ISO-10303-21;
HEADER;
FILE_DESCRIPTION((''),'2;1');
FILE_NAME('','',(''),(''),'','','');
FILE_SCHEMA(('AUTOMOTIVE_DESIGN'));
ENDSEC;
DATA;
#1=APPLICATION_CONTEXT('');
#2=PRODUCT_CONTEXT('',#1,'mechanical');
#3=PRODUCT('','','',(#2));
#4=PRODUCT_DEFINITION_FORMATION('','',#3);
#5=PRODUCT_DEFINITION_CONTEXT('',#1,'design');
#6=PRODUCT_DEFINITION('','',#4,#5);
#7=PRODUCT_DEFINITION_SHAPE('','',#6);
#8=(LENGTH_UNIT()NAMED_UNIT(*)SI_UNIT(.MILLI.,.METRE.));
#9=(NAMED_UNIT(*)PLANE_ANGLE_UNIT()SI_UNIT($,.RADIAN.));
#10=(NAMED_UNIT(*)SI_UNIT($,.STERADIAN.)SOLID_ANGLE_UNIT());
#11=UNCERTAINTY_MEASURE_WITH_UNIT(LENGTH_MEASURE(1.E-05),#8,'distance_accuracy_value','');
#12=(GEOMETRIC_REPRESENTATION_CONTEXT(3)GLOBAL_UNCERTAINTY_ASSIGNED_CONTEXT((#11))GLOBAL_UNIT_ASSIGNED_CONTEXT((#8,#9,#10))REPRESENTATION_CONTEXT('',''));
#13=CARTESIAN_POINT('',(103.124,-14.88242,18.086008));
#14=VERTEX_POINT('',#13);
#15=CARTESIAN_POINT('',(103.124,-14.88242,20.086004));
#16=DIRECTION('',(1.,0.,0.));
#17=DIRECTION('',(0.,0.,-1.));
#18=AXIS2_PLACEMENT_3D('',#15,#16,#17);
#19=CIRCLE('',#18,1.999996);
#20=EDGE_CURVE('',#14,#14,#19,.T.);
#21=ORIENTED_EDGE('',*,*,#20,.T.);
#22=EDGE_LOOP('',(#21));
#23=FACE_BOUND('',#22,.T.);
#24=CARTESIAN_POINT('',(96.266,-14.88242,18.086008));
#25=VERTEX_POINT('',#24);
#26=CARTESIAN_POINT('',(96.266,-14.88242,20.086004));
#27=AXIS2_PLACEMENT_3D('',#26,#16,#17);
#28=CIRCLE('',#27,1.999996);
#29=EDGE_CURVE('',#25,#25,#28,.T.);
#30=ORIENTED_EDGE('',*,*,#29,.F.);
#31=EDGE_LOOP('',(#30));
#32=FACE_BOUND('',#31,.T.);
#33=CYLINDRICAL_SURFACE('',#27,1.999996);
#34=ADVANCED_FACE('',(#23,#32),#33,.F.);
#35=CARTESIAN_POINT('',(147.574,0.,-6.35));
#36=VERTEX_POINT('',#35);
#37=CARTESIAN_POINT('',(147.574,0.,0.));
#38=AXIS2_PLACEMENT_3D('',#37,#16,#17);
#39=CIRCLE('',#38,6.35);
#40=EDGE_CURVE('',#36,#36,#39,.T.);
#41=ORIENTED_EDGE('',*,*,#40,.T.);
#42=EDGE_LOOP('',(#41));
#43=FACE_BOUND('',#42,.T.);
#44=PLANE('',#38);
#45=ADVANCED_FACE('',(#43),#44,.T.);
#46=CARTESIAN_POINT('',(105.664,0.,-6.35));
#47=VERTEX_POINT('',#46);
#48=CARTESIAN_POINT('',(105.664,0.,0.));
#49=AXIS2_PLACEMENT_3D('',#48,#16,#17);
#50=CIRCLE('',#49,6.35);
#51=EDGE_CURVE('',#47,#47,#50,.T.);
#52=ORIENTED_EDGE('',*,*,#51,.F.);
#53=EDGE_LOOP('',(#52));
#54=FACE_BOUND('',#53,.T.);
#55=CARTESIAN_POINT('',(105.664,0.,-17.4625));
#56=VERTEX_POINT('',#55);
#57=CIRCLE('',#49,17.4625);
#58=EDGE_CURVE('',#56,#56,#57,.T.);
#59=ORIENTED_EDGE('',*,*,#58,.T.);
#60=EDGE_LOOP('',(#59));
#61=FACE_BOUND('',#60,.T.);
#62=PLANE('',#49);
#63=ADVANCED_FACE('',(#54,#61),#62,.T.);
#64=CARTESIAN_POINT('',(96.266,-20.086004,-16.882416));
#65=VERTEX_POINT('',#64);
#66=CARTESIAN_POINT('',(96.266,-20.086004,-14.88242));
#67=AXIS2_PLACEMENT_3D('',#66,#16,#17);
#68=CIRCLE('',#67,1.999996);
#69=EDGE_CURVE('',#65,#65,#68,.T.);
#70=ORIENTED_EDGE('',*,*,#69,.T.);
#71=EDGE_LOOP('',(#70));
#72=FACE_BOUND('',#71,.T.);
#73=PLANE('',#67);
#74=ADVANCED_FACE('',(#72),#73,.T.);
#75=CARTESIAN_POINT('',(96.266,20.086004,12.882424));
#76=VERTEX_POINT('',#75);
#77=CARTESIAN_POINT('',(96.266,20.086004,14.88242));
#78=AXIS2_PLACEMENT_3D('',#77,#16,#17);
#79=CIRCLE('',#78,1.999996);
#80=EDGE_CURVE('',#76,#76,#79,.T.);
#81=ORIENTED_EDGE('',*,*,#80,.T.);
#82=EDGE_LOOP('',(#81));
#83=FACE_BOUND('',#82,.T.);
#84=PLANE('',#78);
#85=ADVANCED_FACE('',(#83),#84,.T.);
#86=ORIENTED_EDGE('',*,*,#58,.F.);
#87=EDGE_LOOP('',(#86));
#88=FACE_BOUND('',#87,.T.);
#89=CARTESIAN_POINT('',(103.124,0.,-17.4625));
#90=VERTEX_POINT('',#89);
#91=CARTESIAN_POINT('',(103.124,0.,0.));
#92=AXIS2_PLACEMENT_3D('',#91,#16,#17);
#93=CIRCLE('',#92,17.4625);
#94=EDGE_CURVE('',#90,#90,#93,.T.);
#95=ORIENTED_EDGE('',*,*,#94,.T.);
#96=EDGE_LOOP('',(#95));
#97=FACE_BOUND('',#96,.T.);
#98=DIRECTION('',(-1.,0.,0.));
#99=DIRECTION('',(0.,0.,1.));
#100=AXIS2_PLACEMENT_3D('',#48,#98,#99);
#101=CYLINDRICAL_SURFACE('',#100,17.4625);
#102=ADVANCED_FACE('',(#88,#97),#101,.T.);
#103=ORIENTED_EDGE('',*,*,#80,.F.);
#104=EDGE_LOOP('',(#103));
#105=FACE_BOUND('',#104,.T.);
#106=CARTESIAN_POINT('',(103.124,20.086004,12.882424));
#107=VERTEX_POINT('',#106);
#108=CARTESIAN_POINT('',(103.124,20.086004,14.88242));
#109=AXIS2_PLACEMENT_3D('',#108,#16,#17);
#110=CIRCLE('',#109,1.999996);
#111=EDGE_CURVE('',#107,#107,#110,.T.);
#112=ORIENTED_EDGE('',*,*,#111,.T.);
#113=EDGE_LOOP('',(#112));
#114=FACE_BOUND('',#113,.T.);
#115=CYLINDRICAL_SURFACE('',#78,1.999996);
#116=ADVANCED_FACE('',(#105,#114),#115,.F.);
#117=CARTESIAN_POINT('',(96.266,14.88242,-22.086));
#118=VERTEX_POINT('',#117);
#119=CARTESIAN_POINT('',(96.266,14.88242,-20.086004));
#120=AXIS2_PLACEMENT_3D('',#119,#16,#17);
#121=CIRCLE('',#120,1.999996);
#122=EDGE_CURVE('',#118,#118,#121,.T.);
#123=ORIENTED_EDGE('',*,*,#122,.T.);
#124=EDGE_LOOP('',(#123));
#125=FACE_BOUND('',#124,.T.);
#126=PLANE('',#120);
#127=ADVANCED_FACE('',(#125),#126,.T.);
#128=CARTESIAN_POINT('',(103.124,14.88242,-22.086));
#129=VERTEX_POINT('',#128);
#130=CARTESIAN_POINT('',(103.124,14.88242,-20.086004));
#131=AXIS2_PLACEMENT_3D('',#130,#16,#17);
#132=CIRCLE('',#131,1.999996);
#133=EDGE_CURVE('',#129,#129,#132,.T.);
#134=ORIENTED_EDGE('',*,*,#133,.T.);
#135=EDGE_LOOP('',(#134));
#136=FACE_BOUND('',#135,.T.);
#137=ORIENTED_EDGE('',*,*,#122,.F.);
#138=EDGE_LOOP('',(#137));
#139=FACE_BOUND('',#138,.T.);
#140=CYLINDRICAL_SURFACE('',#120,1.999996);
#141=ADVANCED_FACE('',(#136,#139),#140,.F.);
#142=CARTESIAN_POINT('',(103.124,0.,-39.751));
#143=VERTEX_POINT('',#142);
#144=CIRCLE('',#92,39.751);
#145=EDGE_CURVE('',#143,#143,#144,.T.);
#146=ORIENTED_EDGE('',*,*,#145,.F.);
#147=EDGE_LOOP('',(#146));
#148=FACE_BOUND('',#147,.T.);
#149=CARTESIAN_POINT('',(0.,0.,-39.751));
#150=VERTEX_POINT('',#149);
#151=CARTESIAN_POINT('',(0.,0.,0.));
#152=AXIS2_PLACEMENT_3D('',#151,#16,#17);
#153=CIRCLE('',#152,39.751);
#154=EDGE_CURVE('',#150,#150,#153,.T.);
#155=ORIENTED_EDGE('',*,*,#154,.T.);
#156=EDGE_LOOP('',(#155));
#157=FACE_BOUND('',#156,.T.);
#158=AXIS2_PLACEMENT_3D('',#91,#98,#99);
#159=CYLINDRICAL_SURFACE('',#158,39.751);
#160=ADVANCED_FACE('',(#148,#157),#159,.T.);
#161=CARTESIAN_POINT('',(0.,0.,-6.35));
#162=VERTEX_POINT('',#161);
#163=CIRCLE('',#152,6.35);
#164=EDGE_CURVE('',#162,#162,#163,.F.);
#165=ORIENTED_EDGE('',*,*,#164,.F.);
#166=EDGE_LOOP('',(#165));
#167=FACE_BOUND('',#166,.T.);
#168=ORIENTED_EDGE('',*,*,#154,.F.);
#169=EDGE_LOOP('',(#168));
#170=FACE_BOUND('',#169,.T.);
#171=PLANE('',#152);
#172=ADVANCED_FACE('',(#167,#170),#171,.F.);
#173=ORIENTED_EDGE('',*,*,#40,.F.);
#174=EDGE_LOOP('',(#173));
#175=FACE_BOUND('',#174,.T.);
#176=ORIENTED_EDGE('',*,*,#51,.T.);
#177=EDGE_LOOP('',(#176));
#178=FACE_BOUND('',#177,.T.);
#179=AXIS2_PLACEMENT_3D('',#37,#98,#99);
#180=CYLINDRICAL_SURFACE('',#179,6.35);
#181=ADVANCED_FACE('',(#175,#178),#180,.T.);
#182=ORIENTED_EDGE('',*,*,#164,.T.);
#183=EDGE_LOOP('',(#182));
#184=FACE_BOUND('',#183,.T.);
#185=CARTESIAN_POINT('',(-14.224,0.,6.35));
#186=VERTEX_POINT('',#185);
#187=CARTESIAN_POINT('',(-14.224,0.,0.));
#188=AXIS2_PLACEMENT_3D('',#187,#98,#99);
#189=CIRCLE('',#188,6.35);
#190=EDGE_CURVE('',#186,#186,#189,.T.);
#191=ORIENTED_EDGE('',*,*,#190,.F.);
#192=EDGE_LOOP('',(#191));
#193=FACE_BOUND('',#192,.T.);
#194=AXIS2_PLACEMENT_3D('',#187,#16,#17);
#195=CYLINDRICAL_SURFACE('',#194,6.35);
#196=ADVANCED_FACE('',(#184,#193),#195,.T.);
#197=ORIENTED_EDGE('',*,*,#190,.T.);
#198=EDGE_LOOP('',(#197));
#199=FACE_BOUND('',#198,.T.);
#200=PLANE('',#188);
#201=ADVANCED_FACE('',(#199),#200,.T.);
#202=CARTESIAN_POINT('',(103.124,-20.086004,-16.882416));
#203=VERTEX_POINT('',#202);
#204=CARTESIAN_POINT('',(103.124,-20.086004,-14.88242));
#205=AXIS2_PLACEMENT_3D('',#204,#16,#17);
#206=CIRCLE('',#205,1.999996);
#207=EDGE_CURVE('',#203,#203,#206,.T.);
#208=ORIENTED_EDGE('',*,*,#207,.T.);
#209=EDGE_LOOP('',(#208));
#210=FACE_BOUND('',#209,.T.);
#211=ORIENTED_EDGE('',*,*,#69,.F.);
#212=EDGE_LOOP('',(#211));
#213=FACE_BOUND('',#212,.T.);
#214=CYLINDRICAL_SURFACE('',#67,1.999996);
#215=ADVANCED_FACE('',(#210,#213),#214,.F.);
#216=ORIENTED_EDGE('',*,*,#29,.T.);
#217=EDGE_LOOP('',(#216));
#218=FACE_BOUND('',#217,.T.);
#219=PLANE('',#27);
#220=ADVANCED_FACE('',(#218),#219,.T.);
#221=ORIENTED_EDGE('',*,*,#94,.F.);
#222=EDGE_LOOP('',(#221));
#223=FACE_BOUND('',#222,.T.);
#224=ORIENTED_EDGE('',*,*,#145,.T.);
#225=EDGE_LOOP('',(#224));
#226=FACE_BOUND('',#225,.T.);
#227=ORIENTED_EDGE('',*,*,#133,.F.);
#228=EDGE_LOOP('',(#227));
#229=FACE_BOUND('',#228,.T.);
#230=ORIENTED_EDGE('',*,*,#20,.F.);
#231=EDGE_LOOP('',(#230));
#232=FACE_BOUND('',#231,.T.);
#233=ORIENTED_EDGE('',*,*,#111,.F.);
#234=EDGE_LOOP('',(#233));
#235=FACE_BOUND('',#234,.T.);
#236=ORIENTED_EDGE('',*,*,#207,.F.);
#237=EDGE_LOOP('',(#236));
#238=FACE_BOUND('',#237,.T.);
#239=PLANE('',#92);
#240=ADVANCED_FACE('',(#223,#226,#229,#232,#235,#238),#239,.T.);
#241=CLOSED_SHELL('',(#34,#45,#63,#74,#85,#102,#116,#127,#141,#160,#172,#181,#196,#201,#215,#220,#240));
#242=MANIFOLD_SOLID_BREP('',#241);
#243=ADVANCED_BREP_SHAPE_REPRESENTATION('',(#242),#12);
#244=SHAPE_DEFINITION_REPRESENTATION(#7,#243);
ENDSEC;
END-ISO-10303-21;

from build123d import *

# Parameters (mm, degrees)
SKETCH1_R           = 39.751
BOSS_EXTRUDE1_DEPTH = 103.124
SKETCH2_R           = 17.4625
BOSS_EXTRUDE2_DEPTH = 2.54
SKETCH3_R           = 6.35
BOSS_EXTRUDE3_DEPTH = 41.91
BOSS_EXTRUDE4_START = 14.224
SKETCH4_R           = 6.35
BOSS_EXTRUDE4_DEPTH = 14.224
SKETCH5_R           = 1.999996
CUT_EXTRUDE1_DEPTH  = 6.858


with BuildPart() as part:
    # Sketch1 → Boss-Extrude1 (new body)
    with BuildSketch(Plane(origin=(0, 0, 0), x_dir=(0, 0, -1), z_dir=(1, 0, 0))):
        Circle(SKETCH1_R)
    extrude(amount=BOSS_EXTRUDE1_DEPTH)

    # Sketch2 → Boss-Extrude2 (add)
    with BuildSketch(Plane(origin=(103.124, 0, 0), x_dir=(0, 0, -1), z_dir=(1, 0, 0))):
        Circle(SKETCH2_R)
    extrude(amount=BOSS_EXTRUDE2_DEPTH)

    # Sketch3 → Boss-Extrude3 (add)
    with BuildSketch(Plane(origin=(105.664, 0, 0), x_dir=(0, 0, -1), z_dir=(1, 0, 0))):
        Circle(SKETCH3_R)
    extrude(amount=BOSS_EXTRUDE3_DEPTH)

    # Sketch4 → Boss-Extrude4 (add)
    with BuildSketch(Plane.ZY.offset(BOSS_EXTRUDE4_START)):
        with Locations(Location((0, 0, 0), (0, 0, 180))):
            Circle(SKETCH4_R)
    extrude(amount=-BOSS_EXTRUDE4_DEPTH)

    # Sketch5 → Cut-Extrude1 (cut)
    with BuildSketch(Plane(origin=(103.124, 0, 0), x_dir=(0, 0, -1), z_dir=(1, 0, 0))):
        with Locations((-14.882420075, 20.086004442)):
            Circle(SKETCH5_R)
        with Locations((20.086004442, 14.882420075)):
            Circle(SKETCH5_R)
        with Locations((14.882420075, -20.086004442)):
            Circle(SKETCH5_R)
        with Locations((-20.086004442, -14.882420075)):
            Circle(SKETCH5_R)
    extrude(amount=-CUT_EXTRUDE1_DEPTH, mode=Mode.SUBTRACT)


solid = part.part
